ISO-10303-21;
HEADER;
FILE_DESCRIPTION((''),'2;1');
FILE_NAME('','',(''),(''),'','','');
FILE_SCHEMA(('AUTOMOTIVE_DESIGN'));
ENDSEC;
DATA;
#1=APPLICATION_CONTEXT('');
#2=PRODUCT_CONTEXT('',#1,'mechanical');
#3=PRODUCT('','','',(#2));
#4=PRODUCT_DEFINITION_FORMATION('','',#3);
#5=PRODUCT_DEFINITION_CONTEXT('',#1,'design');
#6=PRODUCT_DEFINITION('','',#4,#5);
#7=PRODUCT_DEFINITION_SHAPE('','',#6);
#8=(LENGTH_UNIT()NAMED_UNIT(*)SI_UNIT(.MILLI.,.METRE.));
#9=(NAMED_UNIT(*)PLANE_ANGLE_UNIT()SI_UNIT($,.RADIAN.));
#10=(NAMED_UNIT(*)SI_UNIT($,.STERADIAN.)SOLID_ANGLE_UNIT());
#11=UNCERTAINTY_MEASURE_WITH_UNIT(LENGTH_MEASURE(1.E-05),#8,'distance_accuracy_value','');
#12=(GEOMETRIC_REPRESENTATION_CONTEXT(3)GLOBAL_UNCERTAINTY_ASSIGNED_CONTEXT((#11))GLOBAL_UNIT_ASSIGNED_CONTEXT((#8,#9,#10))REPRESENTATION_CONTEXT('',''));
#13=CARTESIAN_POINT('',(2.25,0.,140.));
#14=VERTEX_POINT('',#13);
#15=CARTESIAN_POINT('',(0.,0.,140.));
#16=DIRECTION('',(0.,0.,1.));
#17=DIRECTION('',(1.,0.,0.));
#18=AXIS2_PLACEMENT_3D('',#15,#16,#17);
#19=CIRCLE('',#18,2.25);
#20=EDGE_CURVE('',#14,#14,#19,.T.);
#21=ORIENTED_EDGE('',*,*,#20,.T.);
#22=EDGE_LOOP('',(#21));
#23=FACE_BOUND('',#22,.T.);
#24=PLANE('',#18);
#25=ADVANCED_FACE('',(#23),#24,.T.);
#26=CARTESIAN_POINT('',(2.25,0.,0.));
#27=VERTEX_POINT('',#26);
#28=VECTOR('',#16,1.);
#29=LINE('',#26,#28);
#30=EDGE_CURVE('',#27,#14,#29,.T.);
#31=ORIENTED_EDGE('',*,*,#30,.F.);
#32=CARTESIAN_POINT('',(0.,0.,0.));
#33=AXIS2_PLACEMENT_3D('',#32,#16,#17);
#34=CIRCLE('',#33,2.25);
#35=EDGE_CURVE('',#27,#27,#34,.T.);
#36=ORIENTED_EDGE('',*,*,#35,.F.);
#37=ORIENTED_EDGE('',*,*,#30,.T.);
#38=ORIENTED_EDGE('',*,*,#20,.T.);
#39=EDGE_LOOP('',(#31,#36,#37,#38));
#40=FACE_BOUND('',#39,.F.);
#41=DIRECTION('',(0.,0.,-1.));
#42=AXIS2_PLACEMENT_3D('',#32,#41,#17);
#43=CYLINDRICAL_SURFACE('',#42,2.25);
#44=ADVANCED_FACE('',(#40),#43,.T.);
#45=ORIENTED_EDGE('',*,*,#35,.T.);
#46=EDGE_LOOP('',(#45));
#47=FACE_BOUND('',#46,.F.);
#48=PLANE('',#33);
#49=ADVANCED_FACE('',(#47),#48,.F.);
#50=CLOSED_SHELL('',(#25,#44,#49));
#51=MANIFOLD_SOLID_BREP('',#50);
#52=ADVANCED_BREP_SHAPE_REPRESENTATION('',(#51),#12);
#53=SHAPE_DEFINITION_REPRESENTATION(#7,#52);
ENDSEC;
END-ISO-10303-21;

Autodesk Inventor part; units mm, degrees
ref_plane "YZ Plane" through (0, 0, 0) normal (1, 0, 0) x (0, 1, 0)
ref_plane "XZ Plane" through (0, 0, 0) normal (0, 1, 0) x (-1, 0, 0)
ref_plane "XY Plane" through (0, 0, 0) normal (0, 0, 1) x (1, 0, 0)
sketch "Sketch1" plane through (0, 0, 0) normal (0, 0, 1) x (1, 0, 0)
  circle A0 centre (0, 0) radius 2.25
  dimension "d0" = 4.5
extrude "Extrusion1" add sketch "Sketch1" along normal blind 140
properties part number "piston_internal_rod" material "Aluminum 6061-AHC"
